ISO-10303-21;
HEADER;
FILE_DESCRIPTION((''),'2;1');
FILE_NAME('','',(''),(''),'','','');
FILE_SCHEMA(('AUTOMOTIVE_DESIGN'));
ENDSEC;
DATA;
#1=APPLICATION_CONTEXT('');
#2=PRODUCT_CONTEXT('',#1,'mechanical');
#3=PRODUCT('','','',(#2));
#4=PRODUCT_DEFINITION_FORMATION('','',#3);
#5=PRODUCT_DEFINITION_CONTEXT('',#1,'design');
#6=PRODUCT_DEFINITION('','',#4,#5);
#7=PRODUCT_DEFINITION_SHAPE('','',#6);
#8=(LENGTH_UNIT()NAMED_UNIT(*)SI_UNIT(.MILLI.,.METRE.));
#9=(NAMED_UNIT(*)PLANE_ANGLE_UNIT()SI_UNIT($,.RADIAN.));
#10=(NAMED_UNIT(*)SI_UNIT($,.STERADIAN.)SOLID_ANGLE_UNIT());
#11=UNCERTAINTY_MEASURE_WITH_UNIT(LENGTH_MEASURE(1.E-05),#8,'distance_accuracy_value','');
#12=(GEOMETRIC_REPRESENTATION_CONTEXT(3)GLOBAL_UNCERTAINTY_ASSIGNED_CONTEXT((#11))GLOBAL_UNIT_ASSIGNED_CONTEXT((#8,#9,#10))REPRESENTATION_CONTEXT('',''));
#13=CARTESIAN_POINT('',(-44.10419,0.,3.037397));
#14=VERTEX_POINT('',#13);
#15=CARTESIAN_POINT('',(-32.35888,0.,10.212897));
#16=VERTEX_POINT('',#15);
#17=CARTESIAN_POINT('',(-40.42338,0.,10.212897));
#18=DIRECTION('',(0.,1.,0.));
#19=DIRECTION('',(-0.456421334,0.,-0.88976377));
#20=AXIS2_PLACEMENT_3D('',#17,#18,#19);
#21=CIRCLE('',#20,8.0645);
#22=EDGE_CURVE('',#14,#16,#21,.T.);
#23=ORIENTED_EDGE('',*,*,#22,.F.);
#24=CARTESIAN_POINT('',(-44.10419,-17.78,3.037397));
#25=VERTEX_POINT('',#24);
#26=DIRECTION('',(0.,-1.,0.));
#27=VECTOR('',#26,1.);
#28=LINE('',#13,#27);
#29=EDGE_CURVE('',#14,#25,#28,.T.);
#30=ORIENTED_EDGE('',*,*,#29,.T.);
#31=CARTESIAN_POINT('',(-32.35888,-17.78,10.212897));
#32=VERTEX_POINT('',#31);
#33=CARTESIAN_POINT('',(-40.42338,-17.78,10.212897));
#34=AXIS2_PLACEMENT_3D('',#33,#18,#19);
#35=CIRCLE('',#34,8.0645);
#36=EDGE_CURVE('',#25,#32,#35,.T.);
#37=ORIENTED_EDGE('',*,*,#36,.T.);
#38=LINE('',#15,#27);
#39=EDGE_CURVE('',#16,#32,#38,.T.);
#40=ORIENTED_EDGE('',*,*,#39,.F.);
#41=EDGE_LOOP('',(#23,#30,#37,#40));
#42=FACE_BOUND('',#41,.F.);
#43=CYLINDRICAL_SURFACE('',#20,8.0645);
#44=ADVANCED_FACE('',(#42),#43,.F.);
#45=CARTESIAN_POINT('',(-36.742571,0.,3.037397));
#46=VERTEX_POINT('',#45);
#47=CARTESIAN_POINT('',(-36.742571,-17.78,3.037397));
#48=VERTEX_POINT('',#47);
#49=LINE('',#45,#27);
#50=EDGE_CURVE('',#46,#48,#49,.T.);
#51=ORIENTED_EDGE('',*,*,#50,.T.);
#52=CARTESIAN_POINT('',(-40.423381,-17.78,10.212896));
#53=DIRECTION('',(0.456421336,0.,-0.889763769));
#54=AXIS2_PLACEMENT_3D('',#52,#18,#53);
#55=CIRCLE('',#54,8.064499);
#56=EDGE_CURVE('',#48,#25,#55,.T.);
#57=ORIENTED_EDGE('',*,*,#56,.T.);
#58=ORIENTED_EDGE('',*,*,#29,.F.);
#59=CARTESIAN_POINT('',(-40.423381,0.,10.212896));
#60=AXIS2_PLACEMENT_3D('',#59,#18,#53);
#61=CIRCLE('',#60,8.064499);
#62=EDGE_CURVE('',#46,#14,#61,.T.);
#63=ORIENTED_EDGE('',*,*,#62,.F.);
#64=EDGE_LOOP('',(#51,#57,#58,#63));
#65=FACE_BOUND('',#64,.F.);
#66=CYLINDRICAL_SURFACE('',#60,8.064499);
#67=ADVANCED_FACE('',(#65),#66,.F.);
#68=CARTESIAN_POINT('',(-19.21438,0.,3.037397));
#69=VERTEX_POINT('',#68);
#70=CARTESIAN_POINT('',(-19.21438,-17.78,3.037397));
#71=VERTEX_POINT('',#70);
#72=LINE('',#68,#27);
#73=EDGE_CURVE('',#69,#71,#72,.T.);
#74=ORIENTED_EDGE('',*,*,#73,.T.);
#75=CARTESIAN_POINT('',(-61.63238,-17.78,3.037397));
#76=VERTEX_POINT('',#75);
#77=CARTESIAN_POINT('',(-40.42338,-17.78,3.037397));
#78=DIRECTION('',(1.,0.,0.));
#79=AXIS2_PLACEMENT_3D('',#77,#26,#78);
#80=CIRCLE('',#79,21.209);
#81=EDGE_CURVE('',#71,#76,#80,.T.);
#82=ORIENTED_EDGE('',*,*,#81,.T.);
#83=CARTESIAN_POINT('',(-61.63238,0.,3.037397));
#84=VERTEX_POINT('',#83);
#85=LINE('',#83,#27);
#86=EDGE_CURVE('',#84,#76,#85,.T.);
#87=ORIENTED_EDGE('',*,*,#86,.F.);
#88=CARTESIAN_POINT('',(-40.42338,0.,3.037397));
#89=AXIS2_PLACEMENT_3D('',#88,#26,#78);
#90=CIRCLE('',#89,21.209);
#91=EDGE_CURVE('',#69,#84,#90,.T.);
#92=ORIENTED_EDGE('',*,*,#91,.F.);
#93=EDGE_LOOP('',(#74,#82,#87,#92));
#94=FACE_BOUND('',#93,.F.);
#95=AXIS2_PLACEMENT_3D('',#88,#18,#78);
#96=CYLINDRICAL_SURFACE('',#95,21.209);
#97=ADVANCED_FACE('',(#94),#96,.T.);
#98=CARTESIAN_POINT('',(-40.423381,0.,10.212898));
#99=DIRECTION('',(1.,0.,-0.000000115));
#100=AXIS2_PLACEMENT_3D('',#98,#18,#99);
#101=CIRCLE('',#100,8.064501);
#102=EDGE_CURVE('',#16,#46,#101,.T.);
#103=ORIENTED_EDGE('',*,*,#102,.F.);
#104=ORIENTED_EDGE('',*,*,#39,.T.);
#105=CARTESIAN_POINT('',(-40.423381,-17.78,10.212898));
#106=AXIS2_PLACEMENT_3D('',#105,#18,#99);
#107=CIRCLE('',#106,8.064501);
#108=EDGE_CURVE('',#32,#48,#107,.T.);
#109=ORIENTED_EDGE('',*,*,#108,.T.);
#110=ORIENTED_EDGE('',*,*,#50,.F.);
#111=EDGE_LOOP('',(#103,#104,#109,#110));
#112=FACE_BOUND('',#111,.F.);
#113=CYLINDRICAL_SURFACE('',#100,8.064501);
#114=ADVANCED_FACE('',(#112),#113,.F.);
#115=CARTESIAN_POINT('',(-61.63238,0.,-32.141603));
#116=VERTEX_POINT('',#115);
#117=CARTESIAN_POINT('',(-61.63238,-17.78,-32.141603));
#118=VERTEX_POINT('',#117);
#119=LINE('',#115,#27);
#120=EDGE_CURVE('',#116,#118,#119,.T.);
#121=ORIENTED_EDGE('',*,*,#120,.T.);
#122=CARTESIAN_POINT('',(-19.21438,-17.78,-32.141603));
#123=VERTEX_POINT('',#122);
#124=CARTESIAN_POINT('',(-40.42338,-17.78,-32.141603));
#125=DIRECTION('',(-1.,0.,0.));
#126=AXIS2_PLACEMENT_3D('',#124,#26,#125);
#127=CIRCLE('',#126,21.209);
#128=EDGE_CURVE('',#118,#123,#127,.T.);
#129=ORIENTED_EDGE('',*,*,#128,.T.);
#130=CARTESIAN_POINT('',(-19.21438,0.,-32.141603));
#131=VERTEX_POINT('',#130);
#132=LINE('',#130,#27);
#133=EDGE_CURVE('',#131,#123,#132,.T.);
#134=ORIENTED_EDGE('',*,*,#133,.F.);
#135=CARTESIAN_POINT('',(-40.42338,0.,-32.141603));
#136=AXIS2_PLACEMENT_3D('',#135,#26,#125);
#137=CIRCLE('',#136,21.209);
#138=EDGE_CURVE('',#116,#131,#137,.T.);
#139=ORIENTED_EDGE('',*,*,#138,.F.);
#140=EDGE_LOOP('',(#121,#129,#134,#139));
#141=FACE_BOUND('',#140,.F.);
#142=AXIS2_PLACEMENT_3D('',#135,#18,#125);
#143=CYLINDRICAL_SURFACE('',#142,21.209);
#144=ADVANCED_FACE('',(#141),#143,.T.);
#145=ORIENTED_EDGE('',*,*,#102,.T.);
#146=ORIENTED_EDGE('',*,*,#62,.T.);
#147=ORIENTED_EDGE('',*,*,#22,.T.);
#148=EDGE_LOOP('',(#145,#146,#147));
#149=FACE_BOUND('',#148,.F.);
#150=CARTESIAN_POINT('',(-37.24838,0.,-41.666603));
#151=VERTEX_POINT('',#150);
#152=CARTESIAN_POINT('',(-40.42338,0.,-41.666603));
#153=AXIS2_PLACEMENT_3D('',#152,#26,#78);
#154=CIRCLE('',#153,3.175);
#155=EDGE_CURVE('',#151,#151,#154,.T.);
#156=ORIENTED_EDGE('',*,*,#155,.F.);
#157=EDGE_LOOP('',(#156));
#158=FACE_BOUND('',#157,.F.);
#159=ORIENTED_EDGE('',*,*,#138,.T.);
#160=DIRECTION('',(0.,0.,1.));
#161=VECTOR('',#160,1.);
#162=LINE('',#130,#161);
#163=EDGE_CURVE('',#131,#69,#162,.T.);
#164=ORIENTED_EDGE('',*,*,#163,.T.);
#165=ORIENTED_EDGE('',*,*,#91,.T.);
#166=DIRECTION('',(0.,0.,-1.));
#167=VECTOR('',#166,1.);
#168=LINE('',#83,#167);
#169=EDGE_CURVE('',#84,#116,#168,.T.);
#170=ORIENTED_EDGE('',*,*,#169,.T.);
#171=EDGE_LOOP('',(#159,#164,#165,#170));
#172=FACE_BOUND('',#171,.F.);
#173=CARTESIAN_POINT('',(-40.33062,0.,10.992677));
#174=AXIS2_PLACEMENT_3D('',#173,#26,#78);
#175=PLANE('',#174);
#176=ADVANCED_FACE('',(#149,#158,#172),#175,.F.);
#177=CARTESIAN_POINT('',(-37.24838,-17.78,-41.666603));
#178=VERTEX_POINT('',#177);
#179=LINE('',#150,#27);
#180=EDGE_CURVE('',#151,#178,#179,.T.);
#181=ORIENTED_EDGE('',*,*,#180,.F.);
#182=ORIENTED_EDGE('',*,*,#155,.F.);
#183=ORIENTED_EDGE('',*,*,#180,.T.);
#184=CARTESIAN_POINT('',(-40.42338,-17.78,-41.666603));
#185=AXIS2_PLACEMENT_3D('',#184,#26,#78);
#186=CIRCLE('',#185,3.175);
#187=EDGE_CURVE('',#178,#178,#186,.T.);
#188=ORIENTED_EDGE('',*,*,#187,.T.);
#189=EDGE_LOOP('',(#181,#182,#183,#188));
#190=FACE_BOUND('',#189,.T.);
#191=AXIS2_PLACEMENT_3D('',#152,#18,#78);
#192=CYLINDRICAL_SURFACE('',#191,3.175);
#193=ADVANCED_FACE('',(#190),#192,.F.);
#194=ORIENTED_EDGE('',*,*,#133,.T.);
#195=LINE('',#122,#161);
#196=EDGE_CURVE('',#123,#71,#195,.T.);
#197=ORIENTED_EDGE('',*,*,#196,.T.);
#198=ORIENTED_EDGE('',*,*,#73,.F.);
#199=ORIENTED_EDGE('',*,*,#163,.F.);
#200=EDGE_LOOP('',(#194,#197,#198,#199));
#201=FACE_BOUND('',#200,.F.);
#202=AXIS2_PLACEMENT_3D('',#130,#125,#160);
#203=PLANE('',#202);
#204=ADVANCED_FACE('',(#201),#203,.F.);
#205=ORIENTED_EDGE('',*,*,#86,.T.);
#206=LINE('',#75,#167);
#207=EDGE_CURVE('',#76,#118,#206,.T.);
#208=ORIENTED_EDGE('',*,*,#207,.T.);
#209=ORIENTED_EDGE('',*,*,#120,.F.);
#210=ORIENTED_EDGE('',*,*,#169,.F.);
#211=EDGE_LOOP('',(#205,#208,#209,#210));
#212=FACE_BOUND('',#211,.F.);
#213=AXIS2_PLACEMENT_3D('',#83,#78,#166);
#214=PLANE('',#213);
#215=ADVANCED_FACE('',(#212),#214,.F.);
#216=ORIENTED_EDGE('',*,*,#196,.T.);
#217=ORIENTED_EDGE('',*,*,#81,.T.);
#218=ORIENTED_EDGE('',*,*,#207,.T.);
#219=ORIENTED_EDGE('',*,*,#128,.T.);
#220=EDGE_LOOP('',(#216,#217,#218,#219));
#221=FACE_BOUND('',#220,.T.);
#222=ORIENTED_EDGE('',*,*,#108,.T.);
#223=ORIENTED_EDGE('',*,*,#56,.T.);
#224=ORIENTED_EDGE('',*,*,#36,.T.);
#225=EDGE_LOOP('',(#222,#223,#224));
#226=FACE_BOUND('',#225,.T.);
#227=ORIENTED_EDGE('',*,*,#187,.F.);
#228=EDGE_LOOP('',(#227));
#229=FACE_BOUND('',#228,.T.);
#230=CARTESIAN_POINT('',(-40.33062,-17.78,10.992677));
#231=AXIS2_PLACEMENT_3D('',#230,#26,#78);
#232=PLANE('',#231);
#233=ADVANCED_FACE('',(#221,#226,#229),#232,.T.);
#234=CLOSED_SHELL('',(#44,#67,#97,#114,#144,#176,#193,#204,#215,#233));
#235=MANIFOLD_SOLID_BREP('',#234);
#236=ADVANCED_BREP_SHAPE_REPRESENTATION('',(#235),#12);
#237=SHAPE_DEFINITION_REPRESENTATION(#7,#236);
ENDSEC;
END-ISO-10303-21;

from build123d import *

# Parameters (mm, degrees)
F0_R     = 3.175
F1_DEPTH = 17.78


with BuildPart() as f1:
    # F0 (on Front) → F1 (new body)
    with BuildSketch(Plane.XZ):
        with BuildLine():
            ThreePointArc((-19.21438, 3.037397), (-40.42338, 24.246397), (-61.63238, 3.037397))
            Line((-61.63238, 3.037397), (-44.10419, 3.037397))
            ThreePointArc((-44.10419, 3.037397), (-44.62768, 17.094759), (-32.35888, 10.212897))
            ThreePointArc((-32.35888, 10.212897), (-33.541518, 6.008598), (-36.742571, 3.037397))
            Line((-36.742571, 3.037397), (-19.21438, 3.037397))
        make_face()
        with BuildLine():
            Line((-44.10419, 3.037397), (-61.63238, 3.037397))
            Line((-61.63238, 3.037397), (-61.63238, -32.141603))
            Line((-61.63238, -32.141603), (-19.21438, -32.141603))
            Line((-19.21438, -32.141603), (-19.21438, 3.037397))
            Line((-19.21438, 3.037397), (-36.742571, 3.037397))
            ThreePointArc((-36.742571, 3.037397), (-40.42338, 2.148397), (-44.10419, 3.037397))
        make_face()
        with BuildLine():
            Line((-19.21438, -32.141603), (-61.63238, -32.141603))
            ThreePointArc((-61.63238, -32.141603), (-40.42338, -53.350603), (-19.21438, -32.141603))
        make_face()
        with Locations((-40.42338, -41.666603)):
            Circle(F0_R, mode=Mode.SUBTRACT)
    extrude(amount=F1_DEPTH)


solid = f1.part
